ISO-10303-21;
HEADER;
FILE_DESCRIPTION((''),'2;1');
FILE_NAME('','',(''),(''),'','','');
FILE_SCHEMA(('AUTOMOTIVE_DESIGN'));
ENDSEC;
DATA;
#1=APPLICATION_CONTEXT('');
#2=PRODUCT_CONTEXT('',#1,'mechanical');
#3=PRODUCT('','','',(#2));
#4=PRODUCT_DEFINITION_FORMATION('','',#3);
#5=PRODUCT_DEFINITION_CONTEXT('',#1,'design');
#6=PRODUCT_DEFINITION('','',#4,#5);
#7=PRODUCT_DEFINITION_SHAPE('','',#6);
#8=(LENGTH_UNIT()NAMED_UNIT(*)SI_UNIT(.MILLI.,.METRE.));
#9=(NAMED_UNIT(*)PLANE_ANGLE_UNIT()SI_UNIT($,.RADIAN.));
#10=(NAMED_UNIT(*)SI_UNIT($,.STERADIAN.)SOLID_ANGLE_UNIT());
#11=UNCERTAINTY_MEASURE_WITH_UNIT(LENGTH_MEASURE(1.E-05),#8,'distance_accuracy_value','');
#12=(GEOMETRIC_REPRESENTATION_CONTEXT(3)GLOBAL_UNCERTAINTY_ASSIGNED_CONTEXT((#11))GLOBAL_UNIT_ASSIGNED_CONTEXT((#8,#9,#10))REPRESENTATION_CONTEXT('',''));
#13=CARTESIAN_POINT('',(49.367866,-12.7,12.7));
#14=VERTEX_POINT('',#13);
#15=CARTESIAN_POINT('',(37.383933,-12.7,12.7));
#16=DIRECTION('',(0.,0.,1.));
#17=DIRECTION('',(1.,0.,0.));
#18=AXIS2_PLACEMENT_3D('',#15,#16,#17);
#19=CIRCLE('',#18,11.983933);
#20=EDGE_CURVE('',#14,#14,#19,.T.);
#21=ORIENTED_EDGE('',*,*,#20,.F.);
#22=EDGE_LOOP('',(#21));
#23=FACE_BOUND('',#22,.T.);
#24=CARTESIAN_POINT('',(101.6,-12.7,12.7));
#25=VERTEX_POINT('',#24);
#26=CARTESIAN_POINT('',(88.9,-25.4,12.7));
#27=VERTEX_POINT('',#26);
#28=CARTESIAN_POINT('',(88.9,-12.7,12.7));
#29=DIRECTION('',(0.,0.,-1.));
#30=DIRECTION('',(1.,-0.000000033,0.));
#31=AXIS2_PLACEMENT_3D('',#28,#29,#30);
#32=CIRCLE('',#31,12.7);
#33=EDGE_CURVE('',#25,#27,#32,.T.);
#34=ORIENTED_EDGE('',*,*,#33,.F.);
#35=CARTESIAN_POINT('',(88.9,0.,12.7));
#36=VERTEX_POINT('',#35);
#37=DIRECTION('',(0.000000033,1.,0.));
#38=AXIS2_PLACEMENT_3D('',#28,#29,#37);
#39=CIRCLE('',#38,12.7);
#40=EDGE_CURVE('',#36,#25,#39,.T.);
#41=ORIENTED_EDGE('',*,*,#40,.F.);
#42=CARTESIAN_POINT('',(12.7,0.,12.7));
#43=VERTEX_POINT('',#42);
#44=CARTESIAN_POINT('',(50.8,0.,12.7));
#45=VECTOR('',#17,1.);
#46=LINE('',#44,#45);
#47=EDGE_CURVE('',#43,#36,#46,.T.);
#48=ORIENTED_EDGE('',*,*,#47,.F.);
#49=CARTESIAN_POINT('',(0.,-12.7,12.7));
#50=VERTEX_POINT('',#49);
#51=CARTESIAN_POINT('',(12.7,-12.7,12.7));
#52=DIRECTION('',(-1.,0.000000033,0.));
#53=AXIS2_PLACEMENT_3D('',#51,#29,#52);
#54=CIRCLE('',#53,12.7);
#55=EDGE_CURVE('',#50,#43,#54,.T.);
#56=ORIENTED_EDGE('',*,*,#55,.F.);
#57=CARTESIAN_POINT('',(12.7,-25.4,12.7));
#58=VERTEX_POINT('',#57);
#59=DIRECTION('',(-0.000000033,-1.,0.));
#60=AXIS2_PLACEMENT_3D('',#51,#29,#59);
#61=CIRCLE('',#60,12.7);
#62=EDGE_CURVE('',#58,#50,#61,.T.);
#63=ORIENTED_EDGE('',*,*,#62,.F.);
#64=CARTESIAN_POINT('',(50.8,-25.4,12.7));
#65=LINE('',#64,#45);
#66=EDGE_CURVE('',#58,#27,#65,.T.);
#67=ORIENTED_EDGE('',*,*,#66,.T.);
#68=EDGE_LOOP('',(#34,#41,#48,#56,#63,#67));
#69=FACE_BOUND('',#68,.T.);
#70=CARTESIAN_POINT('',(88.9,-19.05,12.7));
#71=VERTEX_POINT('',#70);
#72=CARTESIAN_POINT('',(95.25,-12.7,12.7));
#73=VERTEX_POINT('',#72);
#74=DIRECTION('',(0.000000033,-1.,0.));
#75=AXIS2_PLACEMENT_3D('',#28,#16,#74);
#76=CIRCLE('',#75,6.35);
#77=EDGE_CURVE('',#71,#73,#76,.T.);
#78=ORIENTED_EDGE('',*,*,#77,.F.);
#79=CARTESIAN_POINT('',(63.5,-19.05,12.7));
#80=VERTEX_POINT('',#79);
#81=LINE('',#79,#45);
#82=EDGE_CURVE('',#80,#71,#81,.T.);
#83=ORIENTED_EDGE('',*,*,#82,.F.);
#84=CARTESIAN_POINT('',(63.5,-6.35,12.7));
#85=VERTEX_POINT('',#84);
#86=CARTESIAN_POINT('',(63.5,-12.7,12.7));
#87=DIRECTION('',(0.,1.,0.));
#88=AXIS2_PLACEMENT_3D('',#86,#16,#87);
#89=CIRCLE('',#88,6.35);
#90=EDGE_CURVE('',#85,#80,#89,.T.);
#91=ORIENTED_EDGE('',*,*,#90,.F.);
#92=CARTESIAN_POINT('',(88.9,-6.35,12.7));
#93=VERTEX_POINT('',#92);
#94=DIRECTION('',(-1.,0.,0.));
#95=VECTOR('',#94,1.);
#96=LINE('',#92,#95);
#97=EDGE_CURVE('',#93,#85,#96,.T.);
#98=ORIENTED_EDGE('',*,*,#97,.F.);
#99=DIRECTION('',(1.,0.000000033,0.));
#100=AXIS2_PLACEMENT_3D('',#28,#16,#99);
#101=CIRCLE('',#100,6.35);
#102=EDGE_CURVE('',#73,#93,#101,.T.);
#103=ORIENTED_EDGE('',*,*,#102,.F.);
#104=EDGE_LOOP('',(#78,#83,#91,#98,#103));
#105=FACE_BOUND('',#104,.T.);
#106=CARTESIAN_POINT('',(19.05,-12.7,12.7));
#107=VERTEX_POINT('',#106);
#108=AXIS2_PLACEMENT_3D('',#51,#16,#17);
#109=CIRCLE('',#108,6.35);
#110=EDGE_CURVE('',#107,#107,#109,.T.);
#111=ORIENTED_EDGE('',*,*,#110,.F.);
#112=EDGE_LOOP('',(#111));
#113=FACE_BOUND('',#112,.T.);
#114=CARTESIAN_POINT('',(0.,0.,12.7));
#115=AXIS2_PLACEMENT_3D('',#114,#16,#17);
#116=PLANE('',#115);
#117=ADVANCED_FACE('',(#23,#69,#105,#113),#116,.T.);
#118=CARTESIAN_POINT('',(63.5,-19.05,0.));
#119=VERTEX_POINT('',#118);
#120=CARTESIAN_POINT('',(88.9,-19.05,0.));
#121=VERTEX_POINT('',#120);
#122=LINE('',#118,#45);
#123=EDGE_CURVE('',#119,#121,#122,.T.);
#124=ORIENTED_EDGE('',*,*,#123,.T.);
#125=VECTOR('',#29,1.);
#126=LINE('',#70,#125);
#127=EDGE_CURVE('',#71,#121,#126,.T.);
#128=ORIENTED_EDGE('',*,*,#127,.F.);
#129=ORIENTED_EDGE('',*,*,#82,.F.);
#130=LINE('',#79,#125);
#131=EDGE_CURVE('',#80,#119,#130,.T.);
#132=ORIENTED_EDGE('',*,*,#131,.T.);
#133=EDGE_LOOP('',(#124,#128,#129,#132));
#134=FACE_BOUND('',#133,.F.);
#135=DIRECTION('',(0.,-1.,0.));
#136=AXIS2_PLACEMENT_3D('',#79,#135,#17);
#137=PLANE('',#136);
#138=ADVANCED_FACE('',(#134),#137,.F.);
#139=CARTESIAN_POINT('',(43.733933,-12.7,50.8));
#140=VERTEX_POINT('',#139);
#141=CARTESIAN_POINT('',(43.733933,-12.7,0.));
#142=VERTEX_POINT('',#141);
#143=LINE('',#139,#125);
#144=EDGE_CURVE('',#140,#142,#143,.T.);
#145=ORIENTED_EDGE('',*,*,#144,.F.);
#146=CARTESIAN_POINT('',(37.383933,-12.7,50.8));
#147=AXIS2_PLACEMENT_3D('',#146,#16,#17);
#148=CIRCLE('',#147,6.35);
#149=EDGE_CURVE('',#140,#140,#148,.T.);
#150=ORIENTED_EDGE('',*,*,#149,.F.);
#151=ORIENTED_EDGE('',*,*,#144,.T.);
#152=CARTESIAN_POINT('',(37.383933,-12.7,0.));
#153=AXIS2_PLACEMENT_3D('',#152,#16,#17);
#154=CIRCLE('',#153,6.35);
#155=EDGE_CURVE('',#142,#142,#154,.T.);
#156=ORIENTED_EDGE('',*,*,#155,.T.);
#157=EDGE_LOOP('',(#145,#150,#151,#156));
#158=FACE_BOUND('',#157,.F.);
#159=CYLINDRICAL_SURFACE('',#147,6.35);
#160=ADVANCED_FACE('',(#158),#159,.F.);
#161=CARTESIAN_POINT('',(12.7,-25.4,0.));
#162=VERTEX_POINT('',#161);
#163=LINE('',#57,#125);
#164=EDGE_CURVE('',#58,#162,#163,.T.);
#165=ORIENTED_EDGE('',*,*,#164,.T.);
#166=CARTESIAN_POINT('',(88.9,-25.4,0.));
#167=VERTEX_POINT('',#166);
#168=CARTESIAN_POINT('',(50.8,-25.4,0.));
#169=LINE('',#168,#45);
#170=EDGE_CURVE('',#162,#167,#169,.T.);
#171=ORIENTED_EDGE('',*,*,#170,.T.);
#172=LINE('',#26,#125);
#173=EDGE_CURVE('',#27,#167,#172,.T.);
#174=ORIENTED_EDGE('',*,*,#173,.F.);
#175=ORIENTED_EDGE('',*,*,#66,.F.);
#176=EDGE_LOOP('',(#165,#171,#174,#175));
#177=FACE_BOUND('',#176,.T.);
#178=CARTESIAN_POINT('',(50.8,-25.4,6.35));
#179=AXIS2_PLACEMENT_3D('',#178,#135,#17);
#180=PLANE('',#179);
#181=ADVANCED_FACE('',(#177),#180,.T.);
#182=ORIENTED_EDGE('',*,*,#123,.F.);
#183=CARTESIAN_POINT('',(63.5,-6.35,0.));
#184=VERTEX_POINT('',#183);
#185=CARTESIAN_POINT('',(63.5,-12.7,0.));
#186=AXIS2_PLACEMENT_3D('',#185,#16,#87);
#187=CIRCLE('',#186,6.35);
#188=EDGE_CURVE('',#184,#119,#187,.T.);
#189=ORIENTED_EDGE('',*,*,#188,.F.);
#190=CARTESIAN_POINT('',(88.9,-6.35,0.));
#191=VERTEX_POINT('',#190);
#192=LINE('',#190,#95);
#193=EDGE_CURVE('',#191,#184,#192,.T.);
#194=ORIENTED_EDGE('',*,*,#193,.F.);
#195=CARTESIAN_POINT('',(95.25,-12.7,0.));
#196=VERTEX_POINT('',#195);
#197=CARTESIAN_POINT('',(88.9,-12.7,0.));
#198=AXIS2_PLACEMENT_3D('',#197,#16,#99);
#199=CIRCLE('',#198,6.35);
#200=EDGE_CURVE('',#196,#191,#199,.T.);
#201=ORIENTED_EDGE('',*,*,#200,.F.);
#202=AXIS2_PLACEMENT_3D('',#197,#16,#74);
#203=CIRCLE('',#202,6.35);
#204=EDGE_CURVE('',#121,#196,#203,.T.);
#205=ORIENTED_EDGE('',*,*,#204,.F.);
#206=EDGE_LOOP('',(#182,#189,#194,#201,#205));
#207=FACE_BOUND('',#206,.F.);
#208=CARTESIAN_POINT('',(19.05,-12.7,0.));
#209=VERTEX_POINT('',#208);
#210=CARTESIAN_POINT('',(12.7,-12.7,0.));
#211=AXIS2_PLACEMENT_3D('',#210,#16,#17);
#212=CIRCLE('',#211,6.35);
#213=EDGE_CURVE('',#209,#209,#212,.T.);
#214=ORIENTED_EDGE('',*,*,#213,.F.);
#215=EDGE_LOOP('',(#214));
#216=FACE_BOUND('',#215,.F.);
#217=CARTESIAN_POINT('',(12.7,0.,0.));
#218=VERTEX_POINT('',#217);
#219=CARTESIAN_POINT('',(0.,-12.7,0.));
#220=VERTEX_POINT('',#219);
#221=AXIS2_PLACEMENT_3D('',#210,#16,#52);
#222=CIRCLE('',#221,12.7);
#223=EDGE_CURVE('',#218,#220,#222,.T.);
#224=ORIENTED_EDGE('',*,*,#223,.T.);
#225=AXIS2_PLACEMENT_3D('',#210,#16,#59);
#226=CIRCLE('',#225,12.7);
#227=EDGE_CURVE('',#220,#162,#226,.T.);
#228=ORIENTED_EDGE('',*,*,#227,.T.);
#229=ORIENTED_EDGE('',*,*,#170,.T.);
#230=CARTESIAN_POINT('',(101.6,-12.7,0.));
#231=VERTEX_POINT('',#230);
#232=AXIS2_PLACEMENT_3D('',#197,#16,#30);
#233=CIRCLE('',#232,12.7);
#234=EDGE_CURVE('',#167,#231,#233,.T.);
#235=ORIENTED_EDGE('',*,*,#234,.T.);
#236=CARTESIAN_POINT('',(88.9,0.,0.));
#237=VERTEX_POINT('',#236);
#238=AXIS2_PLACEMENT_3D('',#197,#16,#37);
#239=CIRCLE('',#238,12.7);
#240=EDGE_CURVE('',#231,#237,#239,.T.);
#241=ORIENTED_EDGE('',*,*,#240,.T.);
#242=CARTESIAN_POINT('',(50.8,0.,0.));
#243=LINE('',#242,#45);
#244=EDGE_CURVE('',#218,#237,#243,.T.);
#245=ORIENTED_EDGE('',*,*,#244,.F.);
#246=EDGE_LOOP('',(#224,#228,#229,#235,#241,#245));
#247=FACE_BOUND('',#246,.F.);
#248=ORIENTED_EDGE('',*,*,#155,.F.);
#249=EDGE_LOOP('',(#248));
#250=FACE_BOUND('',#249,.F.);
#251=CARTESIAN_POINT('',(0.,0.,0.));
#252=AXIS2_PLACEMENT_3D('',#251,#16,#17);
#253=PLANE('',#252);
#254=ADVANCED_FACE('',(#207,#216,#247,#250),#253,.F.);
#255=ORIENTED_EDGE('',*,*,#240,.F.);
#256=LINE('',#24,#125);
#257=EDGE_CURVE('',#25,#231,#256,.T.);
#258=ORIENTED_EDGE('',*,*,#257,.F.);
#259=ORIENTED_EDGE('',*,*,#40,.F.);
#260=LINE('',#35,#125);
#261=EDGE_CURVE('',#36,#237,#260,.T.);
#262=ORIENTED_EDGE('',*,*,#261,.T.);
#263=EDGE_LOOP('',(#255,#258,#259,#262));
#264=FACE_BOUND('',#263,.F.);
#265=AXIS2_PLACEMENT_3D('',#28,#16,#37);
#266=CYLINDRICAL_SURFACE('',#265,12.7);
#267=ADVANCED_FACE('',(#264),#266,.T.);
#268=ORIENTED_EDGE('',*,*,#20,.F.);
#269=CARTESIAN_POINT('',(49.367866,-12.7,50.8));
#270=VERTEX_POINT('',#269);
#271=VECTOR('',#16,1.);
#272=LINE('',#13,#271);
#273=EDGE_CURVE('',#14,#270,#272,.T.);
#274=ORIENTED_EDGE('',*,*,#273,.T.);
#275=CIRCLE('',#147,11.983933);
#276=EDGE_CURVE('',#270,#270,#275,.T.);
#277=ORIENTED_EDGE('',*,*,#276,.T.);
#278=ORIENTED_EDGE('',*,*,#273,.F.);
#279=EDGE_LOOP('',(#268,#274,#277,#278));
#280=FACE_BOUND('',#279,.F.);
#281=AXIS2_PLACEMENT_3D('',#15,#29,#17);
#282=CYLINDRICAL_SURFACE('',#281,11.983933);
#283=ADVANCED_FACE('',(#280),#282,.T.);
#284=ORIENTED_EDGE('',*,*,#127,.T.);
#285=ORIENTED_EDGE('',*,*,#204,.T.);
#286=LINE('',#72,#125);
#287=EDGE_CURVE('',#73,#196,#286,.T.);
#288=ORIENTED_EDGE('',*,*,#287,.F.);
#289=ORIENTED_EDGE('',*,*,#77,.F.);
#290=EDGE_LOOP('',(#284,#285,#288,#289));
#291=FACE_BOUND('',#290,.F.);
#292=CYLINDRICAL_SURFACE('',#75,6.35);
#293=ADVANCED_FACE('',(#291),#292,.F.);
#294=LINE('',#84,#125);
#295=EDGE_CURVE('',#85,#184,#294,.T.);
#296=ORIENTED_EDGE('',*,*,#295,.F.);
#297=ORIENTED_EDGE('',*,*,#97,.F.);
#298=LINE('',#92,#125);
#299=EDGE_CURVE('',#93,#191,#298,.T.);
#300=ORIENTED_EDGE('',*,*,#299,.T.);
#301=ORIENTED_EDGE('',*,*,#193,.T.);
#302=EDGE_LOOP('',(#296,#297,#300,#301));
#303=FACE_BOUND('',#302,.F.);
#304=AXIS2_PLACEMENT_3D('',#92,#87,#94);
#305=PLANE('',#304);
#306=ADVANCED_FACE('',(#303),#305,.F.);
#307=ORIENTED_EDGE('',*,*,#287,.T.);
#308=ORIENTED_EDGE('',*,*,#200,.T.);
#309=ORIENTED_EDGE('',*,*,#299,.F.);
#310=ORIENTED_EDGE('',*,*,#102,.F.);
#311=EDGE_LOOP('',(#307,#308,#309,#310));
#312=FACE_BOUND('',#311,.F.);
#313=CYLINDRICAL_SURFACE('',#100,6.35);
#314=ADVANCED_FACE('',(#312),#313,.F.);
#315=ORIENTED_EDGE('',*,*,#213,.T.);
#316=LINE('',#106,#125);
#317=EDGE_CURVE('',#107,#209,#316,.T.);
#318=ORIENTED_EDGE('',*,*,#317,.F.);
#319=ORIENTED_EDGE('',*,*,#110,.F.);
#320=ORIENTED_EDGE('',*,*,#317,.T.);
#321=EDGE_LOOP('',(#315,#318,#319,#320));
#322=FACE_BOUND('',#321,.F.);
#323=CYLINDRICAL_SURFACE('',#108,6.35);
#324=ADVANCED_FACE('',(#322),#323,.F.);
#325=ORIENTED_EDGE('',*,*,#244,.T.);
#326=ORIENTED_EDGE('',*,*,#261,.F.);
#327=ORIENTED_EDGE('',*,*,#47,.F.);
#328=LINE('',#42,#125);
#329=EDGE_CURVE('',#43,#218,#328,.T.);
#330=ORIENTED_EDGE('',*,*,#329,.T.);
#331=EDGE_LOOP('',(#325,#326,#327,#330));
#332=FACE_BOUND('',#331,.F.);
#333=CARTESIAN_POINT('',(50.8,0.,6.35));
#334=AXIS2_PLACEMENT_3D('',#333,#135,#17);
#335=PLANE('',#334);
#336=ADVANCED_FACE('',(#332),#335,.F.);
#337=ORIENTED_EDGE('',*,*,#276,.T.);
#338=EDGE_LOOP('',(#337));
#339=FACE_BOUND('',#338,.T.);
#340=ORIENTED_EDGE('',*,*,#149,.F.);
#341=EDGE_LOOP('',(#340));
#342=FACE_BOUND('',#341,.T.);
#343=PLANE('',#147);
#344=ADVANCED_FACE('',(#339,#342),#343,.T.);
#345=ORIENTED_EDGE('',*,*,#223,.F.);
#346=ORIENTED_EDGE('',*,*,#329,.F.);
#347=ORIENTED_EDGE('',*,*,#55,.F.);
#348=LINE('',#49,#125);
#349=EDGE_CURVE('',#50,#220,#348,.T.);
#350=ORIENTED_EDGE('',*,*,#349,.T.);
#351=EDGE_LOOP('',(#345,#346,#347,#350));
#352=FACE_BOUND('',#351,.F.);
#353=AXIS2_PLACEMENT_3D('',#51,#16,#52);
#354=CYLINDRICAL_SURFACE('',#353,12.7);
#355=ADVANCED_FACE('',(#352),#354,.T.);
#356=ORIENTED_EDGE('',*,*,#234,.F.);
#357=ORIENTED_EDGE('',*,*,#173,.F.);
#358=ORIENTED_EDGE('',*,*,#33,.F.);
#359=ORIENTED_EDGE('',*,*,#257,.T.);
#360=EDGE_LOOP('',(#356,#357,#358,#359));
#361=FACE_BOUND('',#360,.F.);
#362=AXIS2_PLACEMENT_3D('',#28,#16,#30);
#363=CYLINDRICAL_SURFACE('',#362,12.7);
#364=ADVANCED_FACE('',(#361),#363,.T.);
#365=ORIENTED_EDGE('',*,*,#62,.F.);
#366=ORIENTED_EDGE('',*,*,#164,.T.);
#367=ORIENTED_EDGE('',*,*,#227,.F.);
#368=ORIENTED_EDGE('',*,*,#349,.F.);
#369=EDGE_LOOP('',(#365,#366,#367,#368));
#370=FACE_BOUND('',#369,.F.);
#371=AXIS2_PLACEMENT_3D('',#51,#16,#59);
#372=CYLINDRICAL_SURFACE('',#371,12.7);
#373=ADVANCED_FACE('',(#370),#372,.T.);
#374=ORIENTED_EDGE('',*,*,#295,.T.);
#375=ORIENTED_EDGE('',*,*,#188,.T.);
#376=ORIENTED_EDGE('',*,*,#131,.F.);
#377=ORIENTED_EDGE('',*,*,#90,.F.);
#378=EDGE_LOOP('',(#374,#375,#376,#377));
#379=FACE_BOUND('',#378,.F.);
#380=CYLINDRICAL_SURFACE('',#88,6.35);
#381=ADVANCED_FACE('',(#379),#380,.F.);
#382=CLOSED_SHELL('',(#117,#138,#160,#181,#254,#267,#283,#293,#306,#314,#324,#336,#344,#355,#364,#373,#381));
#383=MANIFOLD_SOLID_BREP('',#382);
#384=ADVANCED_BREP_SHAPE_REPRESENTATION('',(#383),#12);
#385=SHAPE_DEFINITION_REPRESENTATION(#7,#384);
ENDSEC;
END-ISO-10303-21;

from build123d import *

# Parameters (mm, degrees)
F0_W      = 101.6
F0_H      = 12.7
F1_DEPTH  = 25.4
F3_DEPTH  = 25.4
F5_DEPTH  = 25.4
F6_R      = 6.35
F7_DEPTH  = 25.4
F8_R      = 11.983933
F9_DEPTH  = 38.1
F10_R     = 6.35
F11_DEPTH = 50.8
F13_DEPTH = 12.7


with BuildPart() as f1:
    # F0 (on Front) → F1 (new body)
    with BuildSketch(Plane.XZ):
        with Locations((50.8, 6.35)):
            Rectangle(F0_W, F0_H)
    extrude(amount=F1_DEPTH)

    # F2 (on face) → F3 (cut)
    with BuildSketch(Plane.XY.offset(12.7)):
        with BuildLine():
            ThreePointArc((101.6, -12.7), (97.880256, -21.680256), (88.9, -25.4))
            Line((88.9, -25.4), (101.6, -25.4))
            Line((101.6, -25.4), (101.6, -12.7))
        make_face()
        with BuildLine():
            ThreePointArc((88.9, 0), (97.880256, -3.719744), (101.6, -12.7))
            Line((101.6, -12.7), (101.6, 0))
            Line((101.6, 0), (88.9, 0))
        make_face()
    extrude(amount=-F3_DEPTH, mode=Mode.SUBTRACT)

    # F4 (on face) → F5 (cut)
    with BuildSketch(Plane.XY.offset(12.7)):
        with BuildLine():
            ThreePointArc((12.7, -25.4), (3.719744, -21.680256), (0, -12.7))
            Line((0, -12.7), (0, -25.4))
            Line((0, -25.4), (12.7, -25.4))
        make_face()
        with BuildLine():
            ThreePointArc((0, -12.7), (3.719744, -3.719744), (12.7, 0))
            Line((12.7, 0), (0, 0))
            Line((0, 0), (0, -12.7))
        make_face()
    extrude(amount=-F5_DEPTH, mode=Mode.SUBTRACT)

    # F6 (on face) → F7 (cut)
    with BuildSketch(Plane.XY.offset(12.7)):
        with Locations((12.7, -12.7)):
            Circle(F6_R)
    extrude(amount=-F7_DEPTH, mode=Mode.SUBTRACT)

    # F8 (on face) → F9 (join)
    with BuildSketch(Plane.XY.offset(12.7)):
        with Locations((37.383933, -12.7)):
            Circle(F8_R)
    extrude(amount=F9_DEPTH)

    # F10 (on face) → F11 (cut)
    with BuildSketch(Plane.XY.offset(50.8)):
        with Locations((37.383933, -12.7)):
            Circle(F10_R)
    extrude(amount=-F11_DEPTH, mode=Mode.SUBTRACT)

    # F12 (on face) → F13 (cut)
    with BuildSketch(Plane.XY.offset(12.7)):
        with BuildLine():
            ThreePointArc((63.5, -19.05), (67.990128, -17.190128), (69.85, -12.7))
            ThreePointArc((69.85, -12.7), (67.990128, -8.209872), (63.5, -6.35))
            ThreePointArc((63.5, -6.35), (57.15, -12.7), (63.5, -19.05))
        make_face()
        with BuildLine():
            ThreePointArc((63.5, -6.35), (67.990128, -8.209872), (69.85, -12.7))
            ThreePointArc((69.85, -12.7), (67.990128, -17.190128), (63.5, -19.05))
            Line((63.5, -19.05), (88.9, -19.05))
            ThreePointArc((88.9, -19.05), (82.55, -12.7), (88.9, -6.35))
            Line((88.9, -6.35), (63.5, -6.35))
        make_face()
        with BuildLine():
            ThreePointArc((95.25, -12.7), (93.390128, -8.209872), (88.9, -6.35))
            ThreePointArc((88.9, -6.35), (82.55, -12.7), (88.9, -19.05))
            ThreePointArc((88.9, -19.05), (93.390128, -17.190128), (95.25, -12.7))
        make_face()
    extrude(amount=-F13_DEPTH, mode=Mode.SUBTRACT)


solid = f1.part
